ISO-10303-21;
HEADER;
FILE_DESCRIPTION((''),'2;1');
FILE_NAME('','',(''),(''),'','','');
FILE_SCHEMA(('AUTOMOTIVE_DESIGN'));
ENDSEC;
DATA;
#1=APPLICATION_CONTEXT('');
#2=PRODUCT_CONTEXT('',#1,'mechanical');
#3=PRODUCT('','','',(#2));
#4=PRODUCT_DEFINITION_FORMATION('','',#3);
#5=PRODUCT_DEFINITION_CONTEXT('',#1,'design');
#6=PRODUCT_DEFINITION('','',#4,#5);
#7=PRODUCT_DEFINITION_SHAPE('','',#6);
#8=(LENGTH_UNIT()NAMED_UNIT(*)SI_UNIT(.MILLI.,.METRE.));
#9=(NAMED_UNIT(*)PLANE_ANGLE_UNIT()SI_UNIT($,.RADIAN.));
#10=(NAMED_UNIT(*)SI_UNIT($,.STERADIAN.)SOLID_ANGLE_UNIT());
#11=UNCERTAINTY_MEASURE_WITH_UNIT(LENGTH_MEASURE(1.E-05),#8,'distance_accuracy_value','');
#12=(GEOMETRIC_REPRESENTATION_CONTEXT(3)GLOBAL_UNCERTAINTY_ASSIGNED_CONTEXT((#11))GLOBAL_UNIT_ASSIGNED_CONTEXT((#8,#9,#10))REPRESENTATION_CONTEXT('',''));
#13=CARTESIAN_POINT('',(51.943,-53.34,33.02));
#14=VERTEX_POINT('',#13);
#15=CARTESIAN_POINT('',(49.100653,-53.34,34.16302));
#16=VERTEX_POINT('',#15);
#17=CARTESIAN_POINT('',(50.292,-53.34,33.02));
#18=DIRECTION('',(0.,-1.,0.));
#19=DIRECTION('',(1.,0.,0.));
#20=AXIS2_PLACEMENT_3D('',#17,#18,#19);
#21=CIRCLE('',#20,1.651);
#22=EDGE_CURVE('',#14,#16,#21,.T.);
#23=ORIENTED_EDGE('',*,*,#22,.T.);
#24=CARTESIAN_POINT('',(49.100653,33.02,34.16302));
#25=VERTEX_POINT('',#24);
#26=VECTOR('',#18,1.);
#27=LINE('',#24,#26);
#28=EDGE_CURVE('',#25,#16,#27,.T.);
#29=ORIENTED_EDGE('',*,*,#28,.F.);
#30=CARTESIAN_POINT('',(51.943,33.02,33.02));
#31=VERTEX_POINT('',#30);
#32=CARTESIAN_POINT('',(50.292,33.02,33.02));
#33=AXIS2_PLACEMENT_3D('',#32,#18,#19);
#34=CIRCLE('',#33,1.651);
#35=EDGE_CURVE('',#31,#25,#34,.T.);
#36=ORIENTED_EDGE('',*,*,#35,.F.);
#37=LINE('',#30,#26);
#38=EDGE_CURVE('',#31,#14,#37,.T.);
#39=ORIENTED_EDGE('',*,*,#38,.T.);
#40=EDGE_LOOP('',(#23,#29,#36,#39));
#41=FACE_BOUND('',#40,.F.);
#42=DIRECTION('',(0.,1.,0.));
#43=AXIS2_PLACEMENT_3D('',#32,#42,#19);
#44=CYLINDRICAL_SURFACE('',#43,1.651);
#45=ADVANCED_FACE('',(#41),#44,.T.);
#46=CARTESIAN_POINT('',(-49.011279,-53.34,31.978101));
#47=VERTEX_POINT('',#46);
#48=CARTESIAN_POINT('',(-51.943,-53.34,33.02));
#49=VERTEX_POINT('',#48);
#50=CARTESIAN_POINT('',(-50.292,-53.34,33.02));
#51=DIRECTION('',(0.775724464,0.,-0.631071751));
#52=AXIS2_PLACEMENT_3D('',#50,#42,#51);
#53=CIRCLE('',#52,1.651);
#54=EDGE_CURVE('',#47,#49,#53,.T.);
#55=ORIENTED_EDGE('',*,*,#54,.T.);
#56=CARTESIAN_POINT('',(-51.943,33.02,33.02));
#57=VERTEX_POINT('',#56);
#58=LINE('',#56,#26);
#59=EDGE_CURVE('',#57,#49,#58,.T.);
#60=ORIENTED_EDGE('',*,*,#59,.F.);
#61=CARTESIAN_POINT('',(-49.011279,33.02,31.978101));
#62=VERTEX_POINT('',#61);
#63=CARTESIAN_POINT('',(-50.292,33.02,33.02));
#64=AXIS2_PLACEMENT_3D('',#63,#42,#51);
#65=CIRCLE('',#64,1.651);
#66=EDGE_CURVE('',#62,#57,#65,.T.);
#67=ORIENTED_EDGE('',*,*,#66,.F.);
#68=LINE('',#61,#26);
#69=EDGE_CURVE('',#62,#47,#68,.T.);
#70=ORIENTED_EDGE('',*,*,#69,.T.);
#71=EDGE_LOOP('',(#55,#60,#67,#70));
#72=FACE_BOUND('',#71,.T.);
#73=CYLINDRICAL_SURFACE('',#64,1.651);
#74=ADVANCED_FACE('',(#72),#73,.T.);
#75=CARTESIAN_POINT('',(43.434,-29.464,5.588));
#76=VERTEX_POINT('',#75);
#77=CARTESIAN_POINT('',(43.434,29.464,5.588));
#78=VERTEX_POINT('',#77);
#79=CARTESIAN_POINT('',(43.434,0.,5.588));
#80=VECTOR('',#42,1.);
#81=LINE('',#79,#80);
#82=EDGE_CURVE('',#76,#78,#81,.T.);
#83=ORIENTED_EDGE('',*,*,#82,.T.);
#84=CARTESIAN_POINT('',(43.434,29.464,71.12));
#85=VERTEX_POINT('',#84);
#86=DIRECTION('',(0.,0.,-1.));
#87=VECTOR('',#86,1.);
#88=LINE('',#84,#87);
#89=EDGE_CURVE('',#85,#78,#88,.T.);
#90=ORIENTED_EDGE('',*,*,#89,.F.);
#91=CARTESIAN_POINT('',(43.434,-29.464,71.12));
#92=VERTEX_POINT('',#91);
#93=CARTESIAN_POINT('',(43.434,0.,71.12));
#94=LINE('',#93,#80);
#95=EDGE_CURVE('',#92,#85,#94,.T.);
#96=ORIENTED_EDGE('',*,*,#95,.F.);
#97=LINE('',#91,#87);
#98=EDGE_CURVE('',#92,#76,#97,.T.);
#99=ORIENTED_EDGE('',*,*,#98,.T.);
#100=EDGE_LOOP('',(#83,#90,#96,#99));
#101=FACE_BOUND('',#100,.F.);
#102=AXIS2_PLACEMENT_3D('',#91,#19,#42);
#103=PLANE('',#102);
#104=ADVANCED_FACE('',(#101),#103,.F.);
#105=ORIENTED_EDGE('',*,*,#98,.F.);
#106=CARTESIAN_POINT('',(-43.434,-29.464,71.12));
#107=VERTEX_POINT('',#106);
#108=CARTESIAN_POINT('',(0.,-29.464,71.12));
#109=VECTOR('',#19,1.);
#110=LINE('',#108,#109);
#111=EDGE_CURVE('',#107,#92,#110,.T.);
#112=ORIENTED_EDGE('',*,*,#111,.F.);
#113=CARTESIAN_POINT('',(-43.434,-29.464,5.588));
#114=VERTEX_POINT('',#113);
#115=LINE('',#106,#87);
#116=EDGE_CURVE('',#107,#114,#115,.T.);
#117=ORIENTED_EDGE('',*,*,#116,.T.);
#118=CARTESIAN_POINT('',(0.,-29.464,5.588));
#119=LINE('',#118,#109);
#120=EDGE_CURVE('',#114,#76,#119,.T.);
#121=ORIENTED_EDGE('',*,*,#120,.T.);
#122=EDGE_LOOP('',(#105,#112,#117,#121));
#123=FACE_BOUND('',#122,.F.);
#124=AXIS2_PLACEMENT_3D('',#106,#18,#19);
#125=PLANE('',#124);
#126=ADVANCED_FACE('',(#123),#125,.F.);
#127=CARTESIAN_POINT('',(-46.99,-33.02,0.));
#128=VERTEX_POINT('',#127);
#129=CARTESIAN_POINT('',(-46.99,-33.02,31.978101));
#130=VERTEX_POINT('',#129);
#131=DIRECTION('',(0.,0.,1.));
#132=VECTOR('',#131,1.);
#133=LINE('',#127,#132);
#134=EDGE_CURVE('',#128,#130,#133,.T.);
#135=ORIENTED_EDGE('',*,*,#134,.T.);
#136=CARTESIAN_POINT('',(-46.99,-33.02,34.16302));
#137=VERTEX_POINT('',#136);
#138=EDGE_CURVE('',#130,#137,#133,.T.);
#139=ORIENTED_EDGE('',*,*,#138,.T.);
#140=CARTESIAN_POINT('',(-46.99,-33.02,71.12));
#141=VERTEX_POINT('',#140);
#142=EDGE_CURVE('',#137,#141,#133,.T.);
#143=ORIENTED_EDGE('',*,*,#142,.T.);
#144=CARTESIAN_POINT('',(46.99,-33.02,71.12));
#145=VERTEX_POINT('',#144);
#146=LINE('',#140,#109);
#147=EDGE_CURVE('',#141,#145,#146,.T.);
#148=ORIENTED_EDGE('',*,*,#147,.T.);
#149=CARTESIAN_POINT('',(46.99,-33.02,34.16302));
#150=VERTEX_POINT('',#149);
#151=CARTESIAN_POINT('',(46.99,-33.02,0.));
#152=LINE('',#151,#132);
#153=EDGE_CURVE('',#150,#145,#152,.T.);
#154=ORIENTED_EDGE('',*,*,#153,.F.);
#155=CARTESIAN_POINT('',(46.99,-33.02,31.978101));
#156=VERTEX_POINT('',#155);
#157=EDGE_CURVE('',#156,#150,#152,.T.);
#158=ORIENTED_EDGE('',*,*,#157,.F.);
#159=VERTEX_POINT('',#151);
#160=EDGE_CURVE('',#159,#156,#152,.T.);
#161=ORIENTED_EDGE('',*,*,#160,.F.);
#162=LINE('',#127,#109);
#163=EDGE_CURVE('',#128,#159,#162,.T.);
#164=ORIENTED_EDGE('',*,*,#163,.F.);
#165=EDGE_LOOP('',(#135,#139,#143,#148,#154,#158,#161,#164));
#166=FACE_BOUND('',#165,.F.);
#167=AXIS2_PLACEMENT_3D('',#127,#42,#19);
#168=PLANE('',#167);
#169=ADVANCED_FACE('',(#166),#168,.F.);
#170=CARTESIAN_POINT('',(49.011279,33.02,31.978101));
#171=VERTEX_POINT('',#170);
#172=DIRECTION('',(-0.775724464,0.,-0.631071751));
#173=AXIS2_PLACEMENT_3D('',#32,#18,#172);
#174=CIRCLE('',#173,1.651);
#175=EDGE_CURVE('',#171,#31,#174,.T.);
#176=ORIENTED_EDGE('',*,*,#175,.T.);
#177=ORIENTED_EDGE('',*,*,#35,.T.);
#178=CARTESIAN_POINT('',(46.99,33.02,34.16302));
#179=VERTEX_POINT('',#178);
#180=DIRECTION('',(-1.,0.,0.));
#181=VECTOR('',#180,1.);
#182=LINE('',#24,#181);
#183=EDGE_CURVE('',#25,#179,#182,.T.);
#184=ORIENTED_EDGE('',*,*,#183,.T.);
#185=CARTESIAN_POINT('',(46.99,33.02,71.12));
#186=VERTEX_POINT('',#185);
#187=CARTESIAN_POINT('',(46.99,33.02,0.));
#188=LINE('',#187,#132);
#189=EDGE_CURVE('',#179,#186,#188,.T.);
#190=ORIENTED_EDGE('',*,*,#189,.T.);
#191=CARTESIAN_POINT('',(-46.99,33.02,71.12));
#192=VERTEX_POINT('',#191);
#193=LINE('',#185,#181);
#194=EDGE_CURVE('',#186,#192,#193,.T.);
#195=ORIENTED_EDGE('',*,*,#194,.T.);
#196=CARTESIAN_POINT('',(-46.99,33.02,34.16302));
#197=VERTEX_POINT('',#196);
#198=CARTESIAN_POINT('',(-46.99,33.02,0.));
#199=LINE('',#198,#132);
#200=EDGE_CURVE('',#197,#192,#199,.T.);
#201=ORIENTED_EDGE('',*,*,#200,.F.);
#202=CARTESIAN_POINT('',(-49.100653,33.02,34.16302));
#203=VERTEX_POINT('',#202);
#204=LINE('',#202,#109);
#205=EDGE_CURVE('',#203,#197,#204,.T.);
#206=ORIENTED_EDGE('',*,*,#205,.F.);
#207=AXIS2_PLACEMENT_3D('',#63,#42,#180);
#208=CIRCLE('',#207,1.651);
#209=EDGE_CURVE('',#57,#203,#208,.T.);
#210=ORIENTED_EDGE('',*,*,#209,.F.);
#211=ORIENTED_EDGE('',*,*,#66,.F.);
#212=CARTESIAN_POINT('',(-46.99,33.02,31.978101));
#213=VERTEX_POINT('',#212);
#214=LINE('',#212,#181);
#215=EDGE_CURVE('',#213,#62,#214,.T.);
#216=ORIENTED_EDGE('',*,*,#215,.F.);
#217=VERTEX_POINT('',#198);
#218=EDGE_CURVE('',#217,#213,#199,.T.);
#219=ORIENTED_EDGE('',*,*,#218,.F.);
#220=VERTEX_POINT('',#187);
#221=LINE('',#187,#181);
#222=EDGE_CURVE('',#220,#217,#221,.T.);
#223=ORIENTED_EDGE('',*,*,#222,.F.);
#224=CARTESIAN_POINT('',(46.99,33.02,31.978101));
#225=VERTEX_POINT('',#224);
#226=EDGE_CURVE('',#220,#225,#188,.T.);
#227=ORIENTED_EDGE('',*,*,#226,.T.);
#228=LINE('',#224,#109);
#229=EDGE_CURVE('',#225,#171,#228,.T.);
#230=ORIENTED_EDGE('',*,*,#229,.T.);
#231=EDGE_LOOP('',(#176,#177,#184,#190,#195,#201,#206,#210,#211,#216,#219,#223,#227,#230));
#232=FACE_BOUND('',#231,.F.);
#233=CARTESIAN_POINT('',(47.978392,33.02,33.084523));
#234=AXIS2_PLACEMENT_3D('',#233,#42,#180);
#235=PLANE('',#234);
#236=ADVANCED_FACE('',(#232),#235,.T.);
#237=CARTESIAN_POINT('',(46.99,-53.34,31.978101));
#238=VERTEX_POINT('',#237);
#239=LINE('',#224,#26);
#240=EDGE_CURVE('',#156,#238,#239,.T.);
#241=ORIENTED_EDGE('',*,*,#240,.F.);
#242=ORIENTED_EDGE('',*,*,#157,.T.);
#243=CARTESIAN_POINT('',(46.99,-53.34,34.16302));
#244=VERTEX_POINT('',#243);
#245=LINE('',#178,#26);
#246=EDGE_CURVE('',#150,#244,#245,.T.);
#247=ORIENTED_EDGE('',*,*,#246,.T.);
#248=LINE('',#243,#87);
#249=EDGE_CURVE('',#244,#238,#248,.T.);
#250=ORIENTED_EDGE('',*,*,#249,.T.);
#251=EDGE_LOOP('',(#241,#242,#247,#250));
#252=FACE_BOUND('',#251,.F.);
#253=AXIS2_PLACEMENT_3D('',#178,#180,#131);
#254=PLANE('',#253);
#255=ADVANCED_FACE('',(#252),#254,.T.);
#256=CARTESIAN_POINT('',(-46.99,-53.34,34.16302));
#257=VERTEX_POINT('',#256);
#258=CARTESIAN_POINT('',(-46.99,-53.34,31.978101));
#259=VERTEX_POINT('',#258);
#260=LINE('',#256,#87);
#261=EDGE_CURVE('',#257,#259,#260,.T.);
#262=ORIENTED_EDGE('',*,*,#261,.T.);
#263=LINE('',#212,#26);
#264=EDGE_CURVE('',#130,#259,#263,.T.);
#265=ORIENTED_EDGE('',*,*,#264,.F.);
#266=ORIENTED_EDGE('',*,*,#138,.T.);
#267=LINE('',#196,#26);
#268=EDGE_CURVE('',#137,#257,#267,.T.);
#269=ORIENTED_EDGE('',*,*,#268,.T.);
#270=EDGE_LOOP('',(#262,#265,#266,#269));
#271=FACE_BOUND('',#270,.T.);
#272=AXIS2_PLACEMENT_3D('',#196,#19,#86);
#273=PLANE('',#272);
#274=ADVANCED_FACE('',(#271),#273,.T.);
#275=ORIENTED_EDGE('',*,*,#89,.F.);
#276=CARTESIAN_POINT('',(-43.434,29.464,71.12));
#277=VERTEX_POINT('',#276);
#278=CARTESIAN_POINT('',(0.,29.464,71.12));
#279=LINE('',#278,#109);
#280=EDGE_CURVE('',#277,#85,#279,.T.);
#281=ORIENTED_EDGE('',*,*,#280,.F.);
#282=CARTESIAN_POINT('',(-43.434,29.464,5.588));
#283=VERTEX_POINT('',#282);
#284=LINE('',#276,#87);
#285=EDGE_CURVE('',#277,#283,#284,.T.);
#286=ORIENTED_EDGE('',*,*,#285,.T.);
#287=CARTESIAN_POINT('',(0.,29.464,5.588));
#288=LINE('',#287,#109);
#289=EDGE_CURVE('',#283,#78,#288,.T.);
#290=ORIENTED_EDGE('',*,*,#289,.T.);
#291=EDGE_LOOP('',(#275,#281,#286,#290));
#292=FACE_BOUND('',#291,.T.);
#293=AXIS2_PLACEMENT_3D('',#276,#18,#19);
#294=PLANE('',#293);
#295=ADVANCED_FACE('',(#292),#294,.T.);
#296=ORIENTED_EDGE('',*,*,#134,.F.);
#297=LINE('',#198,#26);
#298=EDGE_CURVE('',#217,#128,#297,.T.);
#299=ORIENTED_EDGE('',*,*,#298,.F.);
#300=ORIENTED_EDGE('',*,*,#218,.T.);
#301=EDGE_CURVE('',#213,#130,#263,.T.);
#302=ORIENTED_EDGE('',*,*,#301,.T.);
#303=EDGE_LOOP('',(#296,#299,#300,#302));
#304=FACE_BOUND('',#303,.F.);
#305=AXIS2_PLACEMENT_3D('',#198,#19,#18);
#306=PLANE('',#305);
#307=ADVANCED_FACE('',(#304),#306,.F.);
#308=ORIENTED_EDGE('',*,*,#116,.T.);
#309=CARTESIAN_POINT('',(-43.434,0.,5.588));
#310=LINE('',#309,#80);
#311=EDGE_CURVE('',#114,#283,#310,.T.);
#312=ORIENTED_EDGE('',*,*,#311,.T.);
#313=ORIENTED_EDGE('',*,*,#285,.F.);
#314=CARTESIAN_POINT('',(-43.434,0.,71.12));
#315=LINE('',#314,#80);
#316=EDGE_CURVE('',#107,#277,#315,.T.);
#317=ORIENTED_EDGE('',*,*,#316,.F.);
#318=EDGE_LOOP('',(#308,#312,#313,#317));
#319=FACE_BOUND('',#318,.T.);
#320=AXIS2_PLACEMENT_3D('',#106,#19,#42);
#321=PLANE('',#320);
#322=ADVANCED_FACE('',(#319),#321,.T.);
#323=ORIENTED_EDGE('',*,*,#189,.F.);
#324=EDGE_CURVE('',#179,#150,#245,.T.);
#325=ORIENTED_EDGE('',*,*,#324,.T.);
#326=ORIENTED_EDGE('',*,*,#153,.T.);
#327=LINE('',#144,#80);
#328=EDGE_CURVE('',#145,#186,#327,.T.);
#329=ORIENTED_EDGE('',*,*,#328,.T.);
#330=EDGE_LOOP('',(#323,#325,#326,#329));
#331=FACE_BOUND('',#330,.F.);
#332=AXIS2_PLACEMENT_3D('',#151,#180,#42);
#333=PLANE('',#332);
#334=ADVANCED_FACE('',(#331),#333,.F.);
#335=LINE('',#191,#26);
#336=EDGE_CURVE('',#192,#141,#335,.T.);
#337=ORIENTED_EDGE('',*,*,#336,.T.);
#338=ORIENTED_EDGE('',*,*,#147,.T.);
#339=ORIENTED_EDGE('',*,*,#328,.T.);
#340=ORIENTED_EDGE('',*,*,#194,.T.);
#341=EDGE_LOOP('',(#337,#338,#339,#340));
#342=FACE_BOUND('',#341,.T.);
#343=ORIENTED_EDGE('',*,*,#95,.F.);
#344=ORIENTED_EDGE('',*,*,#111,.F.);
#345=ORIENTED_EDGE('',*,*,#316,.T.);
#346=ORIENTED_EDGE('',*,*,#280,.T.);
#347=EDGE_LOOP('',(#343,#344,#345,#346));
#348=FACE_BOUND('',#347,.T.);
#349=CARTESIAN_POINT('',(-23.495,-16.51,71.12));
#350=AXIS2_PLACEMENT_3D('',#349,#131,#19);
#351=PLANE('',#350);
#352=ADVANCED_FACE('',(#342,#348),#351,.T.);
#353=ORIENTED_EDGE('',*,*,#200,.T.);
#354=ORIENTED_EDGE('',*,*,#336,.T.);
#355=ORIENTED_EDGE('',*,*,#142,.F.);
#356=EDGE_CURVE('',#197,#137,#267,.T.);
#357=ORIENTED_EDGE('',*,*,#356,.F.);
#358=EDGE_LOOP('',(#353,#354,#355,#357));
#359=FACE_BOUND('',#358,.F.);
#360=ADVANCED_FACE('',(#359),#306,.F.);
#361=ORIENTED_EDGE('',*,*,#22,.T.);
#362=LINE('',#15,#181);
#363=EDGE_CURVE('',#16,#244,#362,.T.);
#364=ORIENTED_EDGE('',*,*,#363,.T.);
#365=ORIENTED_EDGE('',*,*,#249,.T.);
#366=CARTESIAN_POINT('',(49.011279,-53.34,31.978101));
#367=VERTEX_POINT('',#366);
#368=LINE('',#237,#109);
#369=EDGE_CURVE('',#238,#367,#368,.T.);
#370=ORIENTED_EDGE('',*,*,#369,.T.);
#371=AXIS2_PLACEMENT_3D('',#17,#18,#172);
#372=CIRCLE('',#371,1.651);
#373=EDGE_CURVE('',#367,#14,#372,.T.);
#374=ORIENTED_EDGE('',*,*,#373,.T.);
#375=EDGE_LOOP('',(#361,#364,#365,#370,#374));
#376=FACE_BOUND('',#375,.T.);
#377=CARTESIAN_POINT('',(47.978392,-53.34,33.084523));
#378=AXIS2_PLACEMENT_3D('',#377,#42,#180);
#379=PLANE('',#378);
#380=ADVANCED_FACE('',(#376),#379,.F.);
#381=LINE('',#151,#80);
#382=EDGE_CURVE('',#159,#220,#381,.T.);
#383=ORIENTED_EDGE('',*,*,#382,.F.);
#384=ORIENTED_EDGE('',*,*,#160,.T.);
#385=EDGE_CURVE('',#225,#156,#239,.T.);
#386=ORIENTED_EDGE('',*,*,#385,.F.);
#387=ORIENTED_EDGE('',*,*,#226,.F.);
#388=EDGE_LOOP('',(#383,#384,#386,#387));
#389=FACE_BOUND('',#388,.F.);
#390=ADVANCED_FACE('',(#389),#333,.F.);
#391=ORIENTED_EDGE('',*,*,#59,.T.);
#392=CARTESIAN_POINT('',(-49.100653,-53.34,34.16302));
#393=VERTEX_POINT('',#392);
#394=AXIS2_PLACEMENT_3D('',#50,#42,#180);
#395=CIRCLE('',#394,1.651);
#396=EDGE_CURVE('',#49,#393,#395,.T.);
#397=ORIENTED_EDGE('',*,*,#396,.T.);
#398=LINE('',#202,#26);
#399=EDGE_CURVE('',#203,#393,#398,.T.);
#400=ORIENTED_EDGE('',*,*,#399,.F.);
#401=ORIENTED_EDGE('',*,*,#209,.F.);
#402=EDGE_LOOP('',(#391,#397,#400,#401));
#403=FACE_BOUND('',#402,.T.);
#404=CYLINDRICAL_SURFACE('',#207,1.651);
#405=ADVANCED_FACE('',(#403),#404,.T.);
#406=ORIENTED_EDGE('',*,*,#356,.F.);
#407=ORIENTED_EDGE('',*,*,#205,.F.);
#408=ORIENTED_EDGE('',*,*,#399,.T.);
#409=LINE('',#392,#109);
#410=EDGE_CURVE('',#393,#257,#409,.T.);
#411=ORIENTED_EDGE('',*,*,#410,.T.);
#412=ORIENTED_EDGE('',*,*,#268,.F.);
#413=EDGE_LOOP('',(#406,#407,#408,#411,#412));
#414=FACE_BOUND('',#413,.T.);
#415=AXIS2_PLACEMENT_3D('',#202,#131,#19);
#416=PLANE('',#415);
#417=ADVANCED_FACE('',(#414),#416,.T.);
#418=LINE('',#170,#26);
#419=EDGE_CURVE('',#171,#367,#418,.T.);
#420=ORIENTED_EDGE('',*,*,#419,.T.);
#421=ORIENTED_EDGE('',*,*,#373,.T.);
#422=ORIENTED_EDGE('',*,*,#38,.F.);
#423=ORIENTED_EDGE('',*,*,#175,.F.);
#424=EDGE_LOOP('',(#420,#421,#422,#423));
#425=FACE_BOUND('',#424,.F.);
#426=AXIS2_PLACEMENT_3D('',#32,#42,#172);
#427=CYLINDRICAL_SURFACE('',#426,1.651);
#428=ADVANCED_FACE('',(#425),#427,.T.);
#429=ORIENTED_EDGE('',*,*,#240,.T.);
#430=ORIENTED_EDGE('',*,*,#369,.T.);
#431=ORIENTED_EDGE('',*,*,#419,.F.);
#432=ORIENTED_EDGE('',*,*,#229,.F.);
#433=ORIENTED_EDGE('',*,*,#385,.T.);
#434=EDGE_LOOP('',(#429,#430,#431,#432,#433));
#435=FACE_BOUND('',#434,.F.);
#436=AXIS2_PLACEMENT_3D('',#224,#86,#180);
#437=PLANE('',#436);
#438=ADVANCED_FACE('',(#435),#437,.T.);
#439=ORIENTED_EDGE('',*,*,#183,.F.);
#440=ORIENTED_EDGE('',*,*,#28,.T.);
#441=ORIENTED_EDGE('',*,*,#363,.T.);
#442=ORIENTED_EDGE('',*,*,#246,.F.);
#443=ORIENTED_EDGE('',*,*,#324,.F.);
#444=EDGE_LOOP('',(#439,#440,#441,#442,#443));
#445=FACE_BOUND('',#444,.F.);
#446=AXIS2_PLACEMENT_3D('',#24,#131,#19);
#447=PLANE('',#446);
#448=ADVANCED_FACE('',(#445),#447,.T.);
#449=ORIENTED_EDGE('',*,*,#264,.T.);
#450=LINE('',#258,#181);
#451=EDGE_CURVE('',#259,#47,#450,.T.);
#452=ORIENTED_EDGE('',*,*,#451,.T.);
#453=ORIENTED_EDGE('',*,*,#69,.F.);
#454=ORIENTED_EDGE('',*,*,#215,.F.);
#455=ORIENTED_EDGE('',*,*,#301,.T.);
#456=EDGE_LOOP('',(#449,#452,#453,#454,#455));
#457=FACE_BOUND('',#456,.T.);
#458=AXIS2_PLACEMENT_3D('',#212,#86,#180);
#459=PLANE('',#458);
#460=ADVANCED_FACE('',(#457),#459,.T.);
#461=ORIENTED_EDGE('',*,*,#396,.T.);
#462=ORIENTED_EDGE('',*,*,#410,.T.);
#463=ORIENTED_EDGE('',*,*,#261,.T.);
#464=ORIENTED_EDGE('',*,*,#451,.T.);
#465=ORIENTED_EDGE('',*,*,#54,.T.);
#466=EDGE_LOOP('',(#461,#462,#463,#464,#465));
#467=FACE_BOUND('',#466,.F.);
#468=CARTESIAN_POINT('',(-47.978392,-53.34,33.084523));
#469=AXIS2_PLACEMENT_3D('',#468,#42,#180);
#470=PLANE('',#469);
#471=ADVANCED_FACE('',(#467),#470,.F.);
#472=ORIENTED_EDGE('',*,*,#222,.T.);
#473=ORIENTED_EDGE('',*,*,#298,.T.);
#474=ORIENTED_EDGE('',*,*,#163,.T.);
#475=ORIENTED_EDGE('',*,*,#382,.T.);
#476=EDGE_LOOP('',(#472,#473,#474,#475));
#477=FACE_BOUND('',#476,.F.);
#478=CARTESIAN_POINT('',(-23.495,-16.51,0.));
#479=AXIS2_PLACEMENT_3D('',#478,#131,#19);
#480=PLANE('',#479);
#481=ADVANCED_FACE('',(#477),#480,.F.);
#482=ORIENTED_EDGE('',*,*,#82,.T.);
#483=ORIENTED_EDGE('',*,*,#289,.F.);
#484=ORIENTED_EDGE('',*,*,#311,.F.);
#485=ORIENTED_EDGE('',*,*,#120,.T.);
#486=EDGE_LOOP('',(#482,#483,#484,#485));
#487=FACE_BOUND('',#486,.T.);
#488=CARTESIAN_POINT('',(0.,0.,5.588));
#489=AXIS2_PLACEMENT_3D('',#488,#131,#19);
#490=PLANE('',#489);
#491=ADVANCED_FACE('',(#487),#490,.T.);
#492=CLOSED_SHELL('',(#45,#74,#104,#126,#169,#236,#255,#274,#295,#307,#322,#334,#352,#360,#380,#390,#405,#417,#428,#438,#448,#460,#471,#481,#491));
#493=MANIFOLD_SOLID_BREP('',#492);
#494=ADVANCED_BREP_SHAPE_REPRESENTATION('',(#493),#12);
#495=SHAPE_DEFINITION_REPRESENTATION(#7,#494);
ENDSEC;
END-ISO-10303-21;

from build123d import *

# Parameters (mm, degrees)
F0_W     = 46.99
F0_H     = 33.02
F1_DEPTH = 71.12
F3_DEPTH = 86.36
F5_W     = 86.868
F5_H     = 58.928
F6_DEPTH = 65.532


with BuildPart() as f1:
    # F0 (on Top) → F1 (new body)
    with BuildSketch(Plane.XY):
        with Locations((-23.495, -16.51)):
            Rectangle(F0_W, F0_H)
        Polygon((0, 0), (0, -33.02), (46.99, -33.02), (46.99, 33.02), (-46.99, 33.02), (-46.99, 0), align=None)
    extrude(amount=F1_DEPTH)

    # F2 (on face) → F3 (join)
    with BuildSketch(Plane(origin=(0, 33.02, 0), x_dir=(-1, 0, 0), z_dir=(0, 1, 0))):
        with BuildLine():
            ThreePointArc((49.0112789095, 31.9781005383), (48.6423795188, 33.0874779076), (49.1006532674, 34.1630196685))
            Line((49.1006532674, 34.1630196685), (46.99, 34.1630196685))
            Line((46.99, 34.1630196685), (46.99, 31.9781005383))
            Line((46.99, 31.9781005383), (49.0112789095, 31.9781005383))
        make_face()
        with BuildLine():
            Line((49.1006532674, 31.9781005383), (49.1006532674, 34.1630196685))
            ThreePointArc((49.1006532674, 34.1630196685), (48.6423795188, 33.0874779076), (49.0112789095, 31.9781005383))
            Line((49.0112789095, 31.9781005383), (49.1006532674, 31.9781005383))
        make_face()
        with BuildLine():
            ThreePointArc((49.0112789095, 31.9781005383), (50.8448700026, 31.464321447), (51.943, 33.02))
            ThreePointArc((51.943, 33.02), (50.9079900748, 34.5517823696), (49.1006532674, 34.1630196685))
            Line((49.1006532674, 34.1630196685), (49.1006532674, 31.9781005383))
            Line((49.1006532674, 31.9781005383), (49.0112789095, 31.9781005383))
        make_face()
    extrude(amount=-F3_DEPTH)

    # F4: F1 across plane


with BuildPart() as f1_1:
    add(f1.part)
    add(f1.part.mirror(Plane.YZ))

    # F5 (on face) → F6 (cut)
    with BuildSketch(Plane.XY.offset(71.12)):
        Rectangle(F5_W, F5_H)
    extrude(amount=-F6_DEPTH, mode=Mode.SUBTRACT)


solid = f1_1.part
